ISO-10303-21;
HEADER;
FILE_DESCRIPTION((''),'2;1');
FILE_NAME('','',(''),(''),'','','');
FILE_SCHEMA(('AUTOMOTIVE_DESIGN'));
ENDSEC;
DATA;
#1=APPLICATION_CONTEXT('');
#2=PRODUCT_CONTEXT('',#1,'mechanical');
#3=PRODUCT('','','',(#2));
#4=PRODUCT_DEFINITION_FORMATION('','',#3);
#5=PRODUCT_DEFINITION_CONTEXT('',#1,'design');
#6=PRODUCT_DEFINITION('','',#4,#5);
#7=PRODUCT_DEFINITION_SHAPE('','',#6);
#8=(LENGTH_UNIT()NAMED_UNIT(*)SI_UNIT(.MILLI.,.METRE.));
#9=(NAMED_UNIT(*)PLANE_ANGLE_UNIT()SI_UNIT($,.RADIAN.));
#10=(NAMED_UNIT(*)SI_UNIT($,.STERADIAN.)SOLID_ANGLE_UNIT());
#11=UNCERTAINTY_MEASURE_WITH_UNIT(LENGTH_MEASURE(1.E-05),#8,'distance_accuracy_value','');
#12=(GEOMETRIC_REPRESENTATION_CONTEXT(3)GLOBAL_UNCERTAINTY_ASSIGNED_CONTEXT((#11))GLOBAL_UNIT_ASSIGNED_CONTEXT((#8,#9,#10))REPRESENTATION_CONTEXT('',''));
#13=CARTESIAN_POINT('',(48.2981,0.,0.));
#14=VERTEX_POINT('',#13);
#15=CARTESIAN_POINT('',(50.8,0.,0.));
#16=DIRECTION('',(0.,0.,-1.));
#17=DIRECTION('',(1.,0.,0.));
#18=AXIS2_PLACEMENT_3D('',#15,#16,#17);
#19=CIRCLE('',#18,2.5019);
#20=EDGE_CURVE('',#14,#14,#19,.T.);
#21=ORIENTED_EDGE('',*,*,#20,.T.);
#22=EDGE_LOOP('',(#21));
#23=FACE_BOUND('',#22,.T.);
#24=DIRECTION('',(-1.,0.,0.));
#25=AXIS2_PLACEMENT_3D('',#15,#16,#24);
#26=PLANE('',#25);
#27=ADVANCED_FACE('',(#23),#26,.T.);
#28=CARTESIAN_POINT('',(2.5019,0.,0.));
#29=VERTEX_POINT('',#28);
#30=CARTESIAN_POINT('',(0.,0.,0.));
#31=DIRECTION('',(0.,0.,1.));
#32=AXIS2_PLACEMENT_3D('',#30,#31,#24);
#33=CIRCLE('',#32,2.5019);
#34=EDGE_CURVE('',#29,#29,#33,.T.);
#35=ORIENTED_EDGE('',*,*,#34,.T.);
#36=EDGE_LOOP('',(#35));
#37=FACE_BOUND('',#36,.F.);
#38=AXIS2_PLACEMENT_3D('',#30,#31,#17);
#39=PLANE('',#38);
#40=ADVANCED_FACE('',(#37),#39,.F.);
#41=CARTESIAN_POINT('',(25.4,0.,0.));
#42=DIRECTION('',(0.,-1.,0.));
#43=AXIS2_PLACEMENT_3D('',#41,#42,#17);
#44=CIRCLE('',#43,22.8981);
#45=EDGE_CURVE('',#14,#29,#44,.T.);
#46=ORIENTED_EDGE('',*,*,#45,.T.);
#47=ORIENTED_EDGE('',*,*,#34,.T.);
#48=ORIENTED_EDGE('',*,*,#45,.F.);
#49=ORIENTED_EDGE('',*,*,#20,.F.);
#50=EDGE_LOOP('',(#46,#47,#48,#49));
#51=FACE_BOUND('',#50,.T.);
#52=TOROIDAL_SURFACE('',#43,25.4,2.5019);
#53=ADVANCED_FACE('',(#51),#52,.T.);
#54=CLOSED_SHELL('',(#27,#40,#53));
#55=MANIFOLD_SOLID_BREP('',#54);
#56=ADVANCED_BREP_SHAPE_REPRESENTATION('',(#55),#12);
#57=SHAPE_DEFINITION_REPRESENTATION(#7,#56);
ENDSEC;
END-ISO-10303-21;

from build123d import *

# Parameters (mm, degrees)
F1_R = 2.5019


with BuildPart() as f2:
    # F2: sweep along a path in F0
    with BuildLine(Plane.XZ) as f2_path:
        ThreePointArc((50.8, 0), (25.4, 25.4), (0, 0))
    # F1 (on Top) → F2 (sweep)
    with BuildSketch(Plane.XY):
        Circle(F1_R)
    sweep(path=f2_path.line)


solid = f2.part
